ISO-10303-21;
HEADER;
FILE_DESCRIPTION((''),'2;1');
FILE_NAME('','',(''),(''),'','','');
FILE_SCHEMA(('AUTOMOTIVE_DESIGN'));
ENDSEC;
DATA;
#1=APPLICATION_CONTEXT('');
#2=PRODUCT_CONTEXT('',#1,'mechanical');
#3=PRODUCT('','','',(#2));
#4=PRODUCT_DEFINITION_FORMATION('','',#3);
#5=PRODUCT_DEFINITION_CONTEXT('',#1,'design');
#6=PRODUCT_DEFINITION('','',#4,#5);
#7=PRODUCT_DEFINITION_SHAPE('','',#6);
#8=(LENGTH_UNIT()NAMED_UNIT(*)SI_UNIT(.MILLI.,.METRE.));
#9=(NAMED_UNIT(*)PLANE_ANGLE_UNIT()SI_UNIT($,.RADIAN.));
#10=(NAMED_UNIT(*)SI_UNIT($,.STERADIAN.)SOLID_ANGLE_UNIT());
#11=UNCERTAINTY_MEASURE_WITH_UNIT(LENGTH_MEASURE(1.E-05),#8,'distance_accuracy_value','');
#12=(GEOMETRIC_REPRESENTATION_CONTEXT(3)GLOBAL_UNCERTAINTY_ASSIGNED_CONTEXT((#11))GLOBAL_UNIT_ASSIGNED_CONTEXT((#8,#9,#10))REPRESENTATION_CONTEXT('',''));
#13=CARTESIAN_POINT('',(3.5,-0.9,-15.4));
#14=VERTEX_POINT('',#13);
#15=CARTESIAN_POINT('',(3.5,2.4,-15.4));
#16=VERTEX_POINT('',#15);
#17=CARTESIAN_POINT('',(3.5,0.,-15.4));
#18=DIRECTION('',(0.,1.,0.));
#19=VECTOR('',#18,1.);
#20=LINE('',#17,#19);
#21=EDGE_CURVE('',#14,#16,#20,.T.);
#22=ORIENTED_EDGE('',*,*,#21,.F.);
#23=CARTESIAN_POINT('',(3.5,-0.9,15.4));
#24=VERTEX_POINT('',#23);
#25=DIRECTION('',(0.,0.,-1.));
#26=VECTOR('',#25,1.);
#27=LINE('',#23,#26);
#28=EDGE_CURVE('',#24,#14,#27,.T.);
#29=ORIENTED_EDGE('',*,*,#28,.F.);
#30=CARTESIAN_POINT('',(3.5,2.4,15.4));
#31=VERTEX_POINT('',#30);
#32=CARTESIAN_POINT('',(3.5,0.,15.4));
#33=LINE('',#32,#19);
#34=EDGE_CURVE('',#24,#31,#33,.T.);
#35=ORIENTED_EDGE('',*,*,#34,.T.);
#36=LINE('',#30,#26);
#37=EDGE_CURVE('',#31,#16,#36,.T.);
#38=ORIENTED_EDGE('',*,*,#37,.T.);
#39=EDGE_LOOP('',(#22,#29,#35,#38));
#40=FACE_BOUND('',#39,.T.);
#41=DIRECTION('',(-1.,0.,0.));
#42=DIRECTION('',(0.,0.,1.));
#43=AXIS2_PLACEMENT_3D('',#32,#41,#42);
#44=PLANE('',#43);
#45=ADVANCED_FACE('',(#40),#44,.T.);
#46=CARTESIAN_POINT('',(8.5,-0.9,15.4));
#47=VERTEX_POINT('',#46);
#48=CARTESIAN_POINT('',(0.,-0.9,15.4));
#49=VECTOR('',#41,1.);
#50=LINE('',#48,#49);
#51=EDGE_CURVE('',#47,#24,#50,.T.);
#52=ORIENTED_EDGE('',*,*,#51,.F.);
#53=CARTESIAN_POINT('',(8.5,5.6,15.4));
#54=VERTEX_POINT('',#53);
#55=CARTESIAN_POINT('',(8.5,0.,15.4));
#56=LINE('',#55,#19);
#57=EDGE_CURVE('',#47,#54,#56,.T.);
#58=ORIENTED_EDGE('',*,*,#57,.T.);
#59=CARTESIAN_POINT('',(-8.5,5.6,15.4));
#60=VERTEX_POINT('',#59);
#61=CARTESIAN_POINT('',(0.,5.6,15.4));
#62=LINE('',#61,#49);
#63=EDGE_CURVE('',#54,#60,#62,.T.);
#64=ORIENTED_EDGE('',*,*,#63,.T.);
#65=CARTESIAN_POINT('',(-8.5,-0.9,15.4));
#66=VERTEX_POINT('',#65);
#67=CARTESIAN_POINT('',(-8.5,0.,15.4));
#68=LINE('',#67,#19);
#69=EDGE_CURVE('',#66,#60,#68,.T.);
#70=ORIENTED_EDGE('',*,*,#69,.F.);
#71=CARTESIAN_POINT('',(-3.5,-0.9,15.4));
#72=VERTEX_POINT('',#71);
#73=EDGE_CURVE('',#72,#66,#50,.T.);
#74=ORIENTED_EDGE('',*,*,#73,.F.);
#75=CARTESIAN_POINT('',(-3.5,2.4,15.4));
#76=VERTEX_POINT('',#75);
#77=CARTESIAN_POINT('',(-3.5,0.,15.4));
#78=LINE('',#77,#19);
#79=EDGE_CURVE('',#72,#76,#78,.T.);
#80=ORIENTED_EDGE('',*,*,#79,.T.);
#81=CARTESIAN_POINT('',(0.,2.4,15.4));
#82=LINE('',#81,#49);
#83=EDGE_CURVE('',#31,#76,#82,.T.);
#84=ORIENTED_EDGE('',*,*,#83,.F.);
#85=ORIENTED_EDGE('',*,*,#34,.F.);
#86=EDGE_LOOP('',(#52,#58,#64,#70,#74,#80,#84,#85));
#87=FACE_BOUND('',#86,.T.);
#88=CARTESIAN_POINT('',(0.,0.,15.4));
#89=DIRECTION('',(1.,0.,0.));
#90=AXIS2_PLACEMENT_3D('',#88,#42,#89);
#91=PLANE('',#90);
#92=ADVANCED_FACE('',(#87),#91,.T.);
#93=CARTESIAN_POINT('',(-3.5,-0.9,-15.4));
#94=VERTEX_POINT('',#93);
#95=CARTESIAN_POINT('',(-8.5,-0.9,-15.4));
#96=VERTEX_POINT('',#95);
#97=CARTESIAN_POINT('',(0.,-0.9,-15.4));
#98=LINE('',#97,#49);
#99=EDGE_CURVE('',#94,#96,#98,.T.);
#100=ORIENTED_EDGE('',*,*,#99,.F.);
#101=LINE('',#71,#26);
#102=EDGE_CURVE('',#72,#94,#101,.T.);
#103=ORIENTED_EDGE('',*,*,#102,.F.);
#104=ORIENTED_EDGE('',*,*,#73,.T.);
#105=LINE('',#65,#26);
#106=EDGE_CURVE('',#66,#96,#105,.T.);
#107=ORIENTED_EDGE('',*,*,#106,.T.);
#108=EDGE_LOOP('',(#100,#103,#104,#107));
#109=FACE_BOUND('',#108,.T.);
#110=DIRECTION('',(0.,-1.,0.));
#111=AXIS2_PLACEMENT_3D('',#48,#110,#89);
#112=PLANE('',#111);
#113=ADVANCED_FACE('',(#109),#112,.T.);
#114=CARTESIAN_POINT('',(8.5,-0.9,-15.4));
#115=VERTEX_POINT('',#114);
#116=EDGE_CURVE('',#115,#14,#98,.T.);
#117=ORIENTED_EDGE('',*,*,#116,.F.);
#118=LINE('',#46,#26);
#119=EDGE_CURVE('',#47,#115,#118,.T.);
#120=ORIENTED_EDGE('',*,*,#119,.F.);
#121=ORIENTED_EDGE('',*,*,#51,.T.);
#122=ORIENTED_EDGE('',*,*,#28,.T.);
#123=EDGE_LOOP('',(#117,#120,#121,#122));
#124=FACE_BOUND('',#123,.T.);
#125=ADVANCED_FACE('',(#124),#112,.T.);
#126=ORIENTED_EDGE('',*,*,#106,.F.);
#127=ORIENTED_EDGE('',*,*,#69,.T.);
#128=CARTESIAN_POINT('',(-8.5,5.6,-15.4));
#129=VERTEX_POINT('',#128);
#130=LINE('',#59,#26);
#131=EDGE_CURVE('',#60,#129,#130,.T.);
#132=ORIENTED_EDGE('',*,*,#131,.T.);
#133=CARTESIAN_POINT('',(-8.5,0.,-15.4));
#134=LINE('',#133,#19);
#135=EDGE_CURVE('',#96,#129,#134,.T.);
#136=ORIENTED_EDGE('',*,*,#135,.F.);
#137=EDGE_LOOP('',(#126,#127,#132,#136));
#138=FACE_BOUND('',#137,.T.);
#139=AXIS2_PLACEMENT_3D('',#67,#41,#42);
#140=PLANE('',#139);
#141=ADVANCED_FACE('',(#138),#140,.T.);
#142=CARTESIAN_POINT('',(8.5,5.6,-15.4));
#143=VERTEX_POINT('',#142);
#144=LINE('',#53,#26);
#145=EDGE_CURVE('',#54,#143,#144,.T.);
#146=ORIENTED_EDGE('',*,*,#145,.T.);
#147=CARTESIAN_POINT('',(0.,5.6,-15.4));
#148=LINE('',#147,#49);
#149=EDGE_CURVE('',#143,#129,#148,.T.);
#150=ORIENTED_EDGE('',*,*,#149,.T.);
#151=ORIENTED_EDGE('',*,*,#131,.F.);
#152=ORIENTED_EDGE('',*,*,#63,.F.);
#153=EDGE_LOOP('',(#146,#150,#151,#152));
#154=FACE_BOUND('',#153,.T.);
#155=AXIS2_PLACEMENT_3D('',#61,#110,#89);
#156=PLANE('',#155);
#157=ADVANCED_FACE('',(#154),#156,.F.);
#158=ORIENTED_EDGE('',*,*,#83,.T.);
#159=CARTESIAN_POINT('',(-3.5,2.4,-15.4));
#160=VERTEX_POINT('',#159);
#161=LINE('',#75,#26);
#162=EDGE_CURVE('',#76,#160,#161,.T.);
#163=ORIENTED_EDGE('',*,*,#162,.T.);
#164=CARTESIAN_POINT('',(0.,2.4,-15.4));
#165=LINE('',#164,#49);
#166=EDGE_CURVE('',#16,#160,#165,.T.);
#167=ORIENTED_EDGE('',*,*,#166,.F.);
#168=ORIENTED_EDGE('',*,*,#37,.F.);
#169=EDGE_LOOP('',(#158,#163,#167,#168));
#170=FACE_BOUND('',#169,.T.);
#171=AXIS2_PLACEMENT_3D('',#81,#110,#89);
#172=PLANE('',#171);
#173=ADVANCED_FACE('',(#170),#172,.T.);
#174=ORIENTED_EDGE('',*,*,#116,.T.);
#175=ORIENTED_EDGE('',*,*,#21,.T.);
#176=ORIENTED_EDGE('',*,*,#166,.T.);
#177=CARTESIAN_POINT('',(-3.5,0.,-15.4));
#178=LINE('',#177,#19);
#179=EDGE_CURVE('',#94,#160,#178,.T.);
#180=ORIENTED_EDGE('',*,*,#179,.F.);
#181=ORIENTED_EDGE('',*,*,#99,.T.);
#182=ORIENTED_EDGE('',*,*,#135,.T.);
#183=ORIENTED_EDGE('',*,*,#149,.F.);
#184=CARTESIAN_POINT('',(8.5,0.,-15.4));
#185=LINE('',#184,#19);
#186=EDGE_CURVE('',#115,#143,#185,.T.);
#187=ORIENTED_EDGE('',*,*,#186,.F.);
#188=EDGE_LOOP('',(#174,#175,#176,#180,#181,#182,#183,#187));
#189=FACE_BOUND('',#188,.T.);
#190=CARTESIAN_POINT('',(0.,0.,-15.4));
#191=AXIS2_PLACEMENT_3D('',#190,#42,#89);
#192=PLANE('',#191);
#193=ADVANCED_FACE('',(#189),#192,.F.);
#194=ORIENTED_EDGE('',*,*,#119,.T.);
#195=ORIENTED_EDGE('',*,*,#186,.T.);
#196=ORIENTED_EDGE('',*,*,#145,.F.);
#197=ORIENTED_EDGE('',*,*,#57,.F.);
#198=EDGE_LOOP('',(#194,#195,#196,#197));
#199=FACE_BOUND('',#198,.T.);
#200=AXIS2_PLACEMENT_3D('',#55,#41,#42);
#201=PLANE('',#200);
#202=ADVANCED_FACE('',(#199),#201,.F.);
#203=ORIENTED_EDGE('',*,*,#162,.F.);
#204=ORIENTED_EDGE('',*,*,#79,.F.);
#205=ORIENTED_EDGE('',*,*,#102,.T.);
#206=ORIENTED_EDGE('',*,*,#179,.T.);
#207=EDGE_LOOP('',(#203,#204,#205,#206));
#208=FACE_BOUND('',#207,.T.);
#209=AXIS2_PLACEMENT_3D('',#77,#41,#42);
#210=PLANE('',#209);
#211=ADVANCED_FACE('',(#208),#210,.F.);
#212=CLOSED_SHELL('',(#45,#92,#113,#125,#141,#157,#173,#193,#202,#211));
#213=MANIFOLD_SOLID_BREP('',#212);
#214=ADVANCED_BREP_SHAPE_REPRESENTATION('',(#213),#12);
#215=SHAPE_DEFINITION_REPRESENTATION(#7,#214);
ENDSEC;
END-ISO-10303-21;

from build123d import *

# Parameters (mm, degrees)
BOSS_EXTRUDE1_DEPTH = 15.4


with BuildPart() as part:
    # Sketch1 → Boss-Extrude1 (new, symmetric)
    with BuildSketch(Plane.XY):
        Polygon((3.5, 2.4), (3.5, -0.9), (8.5, -0.9), (8.5, 5.6), (-8.5, 5.6), (-8.5, -0.9), (-3.5, -0.9), (-3.5, 2.4), align=None)
    extrude(amount=BOSS_EXTRUDE1_DEPTH, both=True)


solid = part.part
